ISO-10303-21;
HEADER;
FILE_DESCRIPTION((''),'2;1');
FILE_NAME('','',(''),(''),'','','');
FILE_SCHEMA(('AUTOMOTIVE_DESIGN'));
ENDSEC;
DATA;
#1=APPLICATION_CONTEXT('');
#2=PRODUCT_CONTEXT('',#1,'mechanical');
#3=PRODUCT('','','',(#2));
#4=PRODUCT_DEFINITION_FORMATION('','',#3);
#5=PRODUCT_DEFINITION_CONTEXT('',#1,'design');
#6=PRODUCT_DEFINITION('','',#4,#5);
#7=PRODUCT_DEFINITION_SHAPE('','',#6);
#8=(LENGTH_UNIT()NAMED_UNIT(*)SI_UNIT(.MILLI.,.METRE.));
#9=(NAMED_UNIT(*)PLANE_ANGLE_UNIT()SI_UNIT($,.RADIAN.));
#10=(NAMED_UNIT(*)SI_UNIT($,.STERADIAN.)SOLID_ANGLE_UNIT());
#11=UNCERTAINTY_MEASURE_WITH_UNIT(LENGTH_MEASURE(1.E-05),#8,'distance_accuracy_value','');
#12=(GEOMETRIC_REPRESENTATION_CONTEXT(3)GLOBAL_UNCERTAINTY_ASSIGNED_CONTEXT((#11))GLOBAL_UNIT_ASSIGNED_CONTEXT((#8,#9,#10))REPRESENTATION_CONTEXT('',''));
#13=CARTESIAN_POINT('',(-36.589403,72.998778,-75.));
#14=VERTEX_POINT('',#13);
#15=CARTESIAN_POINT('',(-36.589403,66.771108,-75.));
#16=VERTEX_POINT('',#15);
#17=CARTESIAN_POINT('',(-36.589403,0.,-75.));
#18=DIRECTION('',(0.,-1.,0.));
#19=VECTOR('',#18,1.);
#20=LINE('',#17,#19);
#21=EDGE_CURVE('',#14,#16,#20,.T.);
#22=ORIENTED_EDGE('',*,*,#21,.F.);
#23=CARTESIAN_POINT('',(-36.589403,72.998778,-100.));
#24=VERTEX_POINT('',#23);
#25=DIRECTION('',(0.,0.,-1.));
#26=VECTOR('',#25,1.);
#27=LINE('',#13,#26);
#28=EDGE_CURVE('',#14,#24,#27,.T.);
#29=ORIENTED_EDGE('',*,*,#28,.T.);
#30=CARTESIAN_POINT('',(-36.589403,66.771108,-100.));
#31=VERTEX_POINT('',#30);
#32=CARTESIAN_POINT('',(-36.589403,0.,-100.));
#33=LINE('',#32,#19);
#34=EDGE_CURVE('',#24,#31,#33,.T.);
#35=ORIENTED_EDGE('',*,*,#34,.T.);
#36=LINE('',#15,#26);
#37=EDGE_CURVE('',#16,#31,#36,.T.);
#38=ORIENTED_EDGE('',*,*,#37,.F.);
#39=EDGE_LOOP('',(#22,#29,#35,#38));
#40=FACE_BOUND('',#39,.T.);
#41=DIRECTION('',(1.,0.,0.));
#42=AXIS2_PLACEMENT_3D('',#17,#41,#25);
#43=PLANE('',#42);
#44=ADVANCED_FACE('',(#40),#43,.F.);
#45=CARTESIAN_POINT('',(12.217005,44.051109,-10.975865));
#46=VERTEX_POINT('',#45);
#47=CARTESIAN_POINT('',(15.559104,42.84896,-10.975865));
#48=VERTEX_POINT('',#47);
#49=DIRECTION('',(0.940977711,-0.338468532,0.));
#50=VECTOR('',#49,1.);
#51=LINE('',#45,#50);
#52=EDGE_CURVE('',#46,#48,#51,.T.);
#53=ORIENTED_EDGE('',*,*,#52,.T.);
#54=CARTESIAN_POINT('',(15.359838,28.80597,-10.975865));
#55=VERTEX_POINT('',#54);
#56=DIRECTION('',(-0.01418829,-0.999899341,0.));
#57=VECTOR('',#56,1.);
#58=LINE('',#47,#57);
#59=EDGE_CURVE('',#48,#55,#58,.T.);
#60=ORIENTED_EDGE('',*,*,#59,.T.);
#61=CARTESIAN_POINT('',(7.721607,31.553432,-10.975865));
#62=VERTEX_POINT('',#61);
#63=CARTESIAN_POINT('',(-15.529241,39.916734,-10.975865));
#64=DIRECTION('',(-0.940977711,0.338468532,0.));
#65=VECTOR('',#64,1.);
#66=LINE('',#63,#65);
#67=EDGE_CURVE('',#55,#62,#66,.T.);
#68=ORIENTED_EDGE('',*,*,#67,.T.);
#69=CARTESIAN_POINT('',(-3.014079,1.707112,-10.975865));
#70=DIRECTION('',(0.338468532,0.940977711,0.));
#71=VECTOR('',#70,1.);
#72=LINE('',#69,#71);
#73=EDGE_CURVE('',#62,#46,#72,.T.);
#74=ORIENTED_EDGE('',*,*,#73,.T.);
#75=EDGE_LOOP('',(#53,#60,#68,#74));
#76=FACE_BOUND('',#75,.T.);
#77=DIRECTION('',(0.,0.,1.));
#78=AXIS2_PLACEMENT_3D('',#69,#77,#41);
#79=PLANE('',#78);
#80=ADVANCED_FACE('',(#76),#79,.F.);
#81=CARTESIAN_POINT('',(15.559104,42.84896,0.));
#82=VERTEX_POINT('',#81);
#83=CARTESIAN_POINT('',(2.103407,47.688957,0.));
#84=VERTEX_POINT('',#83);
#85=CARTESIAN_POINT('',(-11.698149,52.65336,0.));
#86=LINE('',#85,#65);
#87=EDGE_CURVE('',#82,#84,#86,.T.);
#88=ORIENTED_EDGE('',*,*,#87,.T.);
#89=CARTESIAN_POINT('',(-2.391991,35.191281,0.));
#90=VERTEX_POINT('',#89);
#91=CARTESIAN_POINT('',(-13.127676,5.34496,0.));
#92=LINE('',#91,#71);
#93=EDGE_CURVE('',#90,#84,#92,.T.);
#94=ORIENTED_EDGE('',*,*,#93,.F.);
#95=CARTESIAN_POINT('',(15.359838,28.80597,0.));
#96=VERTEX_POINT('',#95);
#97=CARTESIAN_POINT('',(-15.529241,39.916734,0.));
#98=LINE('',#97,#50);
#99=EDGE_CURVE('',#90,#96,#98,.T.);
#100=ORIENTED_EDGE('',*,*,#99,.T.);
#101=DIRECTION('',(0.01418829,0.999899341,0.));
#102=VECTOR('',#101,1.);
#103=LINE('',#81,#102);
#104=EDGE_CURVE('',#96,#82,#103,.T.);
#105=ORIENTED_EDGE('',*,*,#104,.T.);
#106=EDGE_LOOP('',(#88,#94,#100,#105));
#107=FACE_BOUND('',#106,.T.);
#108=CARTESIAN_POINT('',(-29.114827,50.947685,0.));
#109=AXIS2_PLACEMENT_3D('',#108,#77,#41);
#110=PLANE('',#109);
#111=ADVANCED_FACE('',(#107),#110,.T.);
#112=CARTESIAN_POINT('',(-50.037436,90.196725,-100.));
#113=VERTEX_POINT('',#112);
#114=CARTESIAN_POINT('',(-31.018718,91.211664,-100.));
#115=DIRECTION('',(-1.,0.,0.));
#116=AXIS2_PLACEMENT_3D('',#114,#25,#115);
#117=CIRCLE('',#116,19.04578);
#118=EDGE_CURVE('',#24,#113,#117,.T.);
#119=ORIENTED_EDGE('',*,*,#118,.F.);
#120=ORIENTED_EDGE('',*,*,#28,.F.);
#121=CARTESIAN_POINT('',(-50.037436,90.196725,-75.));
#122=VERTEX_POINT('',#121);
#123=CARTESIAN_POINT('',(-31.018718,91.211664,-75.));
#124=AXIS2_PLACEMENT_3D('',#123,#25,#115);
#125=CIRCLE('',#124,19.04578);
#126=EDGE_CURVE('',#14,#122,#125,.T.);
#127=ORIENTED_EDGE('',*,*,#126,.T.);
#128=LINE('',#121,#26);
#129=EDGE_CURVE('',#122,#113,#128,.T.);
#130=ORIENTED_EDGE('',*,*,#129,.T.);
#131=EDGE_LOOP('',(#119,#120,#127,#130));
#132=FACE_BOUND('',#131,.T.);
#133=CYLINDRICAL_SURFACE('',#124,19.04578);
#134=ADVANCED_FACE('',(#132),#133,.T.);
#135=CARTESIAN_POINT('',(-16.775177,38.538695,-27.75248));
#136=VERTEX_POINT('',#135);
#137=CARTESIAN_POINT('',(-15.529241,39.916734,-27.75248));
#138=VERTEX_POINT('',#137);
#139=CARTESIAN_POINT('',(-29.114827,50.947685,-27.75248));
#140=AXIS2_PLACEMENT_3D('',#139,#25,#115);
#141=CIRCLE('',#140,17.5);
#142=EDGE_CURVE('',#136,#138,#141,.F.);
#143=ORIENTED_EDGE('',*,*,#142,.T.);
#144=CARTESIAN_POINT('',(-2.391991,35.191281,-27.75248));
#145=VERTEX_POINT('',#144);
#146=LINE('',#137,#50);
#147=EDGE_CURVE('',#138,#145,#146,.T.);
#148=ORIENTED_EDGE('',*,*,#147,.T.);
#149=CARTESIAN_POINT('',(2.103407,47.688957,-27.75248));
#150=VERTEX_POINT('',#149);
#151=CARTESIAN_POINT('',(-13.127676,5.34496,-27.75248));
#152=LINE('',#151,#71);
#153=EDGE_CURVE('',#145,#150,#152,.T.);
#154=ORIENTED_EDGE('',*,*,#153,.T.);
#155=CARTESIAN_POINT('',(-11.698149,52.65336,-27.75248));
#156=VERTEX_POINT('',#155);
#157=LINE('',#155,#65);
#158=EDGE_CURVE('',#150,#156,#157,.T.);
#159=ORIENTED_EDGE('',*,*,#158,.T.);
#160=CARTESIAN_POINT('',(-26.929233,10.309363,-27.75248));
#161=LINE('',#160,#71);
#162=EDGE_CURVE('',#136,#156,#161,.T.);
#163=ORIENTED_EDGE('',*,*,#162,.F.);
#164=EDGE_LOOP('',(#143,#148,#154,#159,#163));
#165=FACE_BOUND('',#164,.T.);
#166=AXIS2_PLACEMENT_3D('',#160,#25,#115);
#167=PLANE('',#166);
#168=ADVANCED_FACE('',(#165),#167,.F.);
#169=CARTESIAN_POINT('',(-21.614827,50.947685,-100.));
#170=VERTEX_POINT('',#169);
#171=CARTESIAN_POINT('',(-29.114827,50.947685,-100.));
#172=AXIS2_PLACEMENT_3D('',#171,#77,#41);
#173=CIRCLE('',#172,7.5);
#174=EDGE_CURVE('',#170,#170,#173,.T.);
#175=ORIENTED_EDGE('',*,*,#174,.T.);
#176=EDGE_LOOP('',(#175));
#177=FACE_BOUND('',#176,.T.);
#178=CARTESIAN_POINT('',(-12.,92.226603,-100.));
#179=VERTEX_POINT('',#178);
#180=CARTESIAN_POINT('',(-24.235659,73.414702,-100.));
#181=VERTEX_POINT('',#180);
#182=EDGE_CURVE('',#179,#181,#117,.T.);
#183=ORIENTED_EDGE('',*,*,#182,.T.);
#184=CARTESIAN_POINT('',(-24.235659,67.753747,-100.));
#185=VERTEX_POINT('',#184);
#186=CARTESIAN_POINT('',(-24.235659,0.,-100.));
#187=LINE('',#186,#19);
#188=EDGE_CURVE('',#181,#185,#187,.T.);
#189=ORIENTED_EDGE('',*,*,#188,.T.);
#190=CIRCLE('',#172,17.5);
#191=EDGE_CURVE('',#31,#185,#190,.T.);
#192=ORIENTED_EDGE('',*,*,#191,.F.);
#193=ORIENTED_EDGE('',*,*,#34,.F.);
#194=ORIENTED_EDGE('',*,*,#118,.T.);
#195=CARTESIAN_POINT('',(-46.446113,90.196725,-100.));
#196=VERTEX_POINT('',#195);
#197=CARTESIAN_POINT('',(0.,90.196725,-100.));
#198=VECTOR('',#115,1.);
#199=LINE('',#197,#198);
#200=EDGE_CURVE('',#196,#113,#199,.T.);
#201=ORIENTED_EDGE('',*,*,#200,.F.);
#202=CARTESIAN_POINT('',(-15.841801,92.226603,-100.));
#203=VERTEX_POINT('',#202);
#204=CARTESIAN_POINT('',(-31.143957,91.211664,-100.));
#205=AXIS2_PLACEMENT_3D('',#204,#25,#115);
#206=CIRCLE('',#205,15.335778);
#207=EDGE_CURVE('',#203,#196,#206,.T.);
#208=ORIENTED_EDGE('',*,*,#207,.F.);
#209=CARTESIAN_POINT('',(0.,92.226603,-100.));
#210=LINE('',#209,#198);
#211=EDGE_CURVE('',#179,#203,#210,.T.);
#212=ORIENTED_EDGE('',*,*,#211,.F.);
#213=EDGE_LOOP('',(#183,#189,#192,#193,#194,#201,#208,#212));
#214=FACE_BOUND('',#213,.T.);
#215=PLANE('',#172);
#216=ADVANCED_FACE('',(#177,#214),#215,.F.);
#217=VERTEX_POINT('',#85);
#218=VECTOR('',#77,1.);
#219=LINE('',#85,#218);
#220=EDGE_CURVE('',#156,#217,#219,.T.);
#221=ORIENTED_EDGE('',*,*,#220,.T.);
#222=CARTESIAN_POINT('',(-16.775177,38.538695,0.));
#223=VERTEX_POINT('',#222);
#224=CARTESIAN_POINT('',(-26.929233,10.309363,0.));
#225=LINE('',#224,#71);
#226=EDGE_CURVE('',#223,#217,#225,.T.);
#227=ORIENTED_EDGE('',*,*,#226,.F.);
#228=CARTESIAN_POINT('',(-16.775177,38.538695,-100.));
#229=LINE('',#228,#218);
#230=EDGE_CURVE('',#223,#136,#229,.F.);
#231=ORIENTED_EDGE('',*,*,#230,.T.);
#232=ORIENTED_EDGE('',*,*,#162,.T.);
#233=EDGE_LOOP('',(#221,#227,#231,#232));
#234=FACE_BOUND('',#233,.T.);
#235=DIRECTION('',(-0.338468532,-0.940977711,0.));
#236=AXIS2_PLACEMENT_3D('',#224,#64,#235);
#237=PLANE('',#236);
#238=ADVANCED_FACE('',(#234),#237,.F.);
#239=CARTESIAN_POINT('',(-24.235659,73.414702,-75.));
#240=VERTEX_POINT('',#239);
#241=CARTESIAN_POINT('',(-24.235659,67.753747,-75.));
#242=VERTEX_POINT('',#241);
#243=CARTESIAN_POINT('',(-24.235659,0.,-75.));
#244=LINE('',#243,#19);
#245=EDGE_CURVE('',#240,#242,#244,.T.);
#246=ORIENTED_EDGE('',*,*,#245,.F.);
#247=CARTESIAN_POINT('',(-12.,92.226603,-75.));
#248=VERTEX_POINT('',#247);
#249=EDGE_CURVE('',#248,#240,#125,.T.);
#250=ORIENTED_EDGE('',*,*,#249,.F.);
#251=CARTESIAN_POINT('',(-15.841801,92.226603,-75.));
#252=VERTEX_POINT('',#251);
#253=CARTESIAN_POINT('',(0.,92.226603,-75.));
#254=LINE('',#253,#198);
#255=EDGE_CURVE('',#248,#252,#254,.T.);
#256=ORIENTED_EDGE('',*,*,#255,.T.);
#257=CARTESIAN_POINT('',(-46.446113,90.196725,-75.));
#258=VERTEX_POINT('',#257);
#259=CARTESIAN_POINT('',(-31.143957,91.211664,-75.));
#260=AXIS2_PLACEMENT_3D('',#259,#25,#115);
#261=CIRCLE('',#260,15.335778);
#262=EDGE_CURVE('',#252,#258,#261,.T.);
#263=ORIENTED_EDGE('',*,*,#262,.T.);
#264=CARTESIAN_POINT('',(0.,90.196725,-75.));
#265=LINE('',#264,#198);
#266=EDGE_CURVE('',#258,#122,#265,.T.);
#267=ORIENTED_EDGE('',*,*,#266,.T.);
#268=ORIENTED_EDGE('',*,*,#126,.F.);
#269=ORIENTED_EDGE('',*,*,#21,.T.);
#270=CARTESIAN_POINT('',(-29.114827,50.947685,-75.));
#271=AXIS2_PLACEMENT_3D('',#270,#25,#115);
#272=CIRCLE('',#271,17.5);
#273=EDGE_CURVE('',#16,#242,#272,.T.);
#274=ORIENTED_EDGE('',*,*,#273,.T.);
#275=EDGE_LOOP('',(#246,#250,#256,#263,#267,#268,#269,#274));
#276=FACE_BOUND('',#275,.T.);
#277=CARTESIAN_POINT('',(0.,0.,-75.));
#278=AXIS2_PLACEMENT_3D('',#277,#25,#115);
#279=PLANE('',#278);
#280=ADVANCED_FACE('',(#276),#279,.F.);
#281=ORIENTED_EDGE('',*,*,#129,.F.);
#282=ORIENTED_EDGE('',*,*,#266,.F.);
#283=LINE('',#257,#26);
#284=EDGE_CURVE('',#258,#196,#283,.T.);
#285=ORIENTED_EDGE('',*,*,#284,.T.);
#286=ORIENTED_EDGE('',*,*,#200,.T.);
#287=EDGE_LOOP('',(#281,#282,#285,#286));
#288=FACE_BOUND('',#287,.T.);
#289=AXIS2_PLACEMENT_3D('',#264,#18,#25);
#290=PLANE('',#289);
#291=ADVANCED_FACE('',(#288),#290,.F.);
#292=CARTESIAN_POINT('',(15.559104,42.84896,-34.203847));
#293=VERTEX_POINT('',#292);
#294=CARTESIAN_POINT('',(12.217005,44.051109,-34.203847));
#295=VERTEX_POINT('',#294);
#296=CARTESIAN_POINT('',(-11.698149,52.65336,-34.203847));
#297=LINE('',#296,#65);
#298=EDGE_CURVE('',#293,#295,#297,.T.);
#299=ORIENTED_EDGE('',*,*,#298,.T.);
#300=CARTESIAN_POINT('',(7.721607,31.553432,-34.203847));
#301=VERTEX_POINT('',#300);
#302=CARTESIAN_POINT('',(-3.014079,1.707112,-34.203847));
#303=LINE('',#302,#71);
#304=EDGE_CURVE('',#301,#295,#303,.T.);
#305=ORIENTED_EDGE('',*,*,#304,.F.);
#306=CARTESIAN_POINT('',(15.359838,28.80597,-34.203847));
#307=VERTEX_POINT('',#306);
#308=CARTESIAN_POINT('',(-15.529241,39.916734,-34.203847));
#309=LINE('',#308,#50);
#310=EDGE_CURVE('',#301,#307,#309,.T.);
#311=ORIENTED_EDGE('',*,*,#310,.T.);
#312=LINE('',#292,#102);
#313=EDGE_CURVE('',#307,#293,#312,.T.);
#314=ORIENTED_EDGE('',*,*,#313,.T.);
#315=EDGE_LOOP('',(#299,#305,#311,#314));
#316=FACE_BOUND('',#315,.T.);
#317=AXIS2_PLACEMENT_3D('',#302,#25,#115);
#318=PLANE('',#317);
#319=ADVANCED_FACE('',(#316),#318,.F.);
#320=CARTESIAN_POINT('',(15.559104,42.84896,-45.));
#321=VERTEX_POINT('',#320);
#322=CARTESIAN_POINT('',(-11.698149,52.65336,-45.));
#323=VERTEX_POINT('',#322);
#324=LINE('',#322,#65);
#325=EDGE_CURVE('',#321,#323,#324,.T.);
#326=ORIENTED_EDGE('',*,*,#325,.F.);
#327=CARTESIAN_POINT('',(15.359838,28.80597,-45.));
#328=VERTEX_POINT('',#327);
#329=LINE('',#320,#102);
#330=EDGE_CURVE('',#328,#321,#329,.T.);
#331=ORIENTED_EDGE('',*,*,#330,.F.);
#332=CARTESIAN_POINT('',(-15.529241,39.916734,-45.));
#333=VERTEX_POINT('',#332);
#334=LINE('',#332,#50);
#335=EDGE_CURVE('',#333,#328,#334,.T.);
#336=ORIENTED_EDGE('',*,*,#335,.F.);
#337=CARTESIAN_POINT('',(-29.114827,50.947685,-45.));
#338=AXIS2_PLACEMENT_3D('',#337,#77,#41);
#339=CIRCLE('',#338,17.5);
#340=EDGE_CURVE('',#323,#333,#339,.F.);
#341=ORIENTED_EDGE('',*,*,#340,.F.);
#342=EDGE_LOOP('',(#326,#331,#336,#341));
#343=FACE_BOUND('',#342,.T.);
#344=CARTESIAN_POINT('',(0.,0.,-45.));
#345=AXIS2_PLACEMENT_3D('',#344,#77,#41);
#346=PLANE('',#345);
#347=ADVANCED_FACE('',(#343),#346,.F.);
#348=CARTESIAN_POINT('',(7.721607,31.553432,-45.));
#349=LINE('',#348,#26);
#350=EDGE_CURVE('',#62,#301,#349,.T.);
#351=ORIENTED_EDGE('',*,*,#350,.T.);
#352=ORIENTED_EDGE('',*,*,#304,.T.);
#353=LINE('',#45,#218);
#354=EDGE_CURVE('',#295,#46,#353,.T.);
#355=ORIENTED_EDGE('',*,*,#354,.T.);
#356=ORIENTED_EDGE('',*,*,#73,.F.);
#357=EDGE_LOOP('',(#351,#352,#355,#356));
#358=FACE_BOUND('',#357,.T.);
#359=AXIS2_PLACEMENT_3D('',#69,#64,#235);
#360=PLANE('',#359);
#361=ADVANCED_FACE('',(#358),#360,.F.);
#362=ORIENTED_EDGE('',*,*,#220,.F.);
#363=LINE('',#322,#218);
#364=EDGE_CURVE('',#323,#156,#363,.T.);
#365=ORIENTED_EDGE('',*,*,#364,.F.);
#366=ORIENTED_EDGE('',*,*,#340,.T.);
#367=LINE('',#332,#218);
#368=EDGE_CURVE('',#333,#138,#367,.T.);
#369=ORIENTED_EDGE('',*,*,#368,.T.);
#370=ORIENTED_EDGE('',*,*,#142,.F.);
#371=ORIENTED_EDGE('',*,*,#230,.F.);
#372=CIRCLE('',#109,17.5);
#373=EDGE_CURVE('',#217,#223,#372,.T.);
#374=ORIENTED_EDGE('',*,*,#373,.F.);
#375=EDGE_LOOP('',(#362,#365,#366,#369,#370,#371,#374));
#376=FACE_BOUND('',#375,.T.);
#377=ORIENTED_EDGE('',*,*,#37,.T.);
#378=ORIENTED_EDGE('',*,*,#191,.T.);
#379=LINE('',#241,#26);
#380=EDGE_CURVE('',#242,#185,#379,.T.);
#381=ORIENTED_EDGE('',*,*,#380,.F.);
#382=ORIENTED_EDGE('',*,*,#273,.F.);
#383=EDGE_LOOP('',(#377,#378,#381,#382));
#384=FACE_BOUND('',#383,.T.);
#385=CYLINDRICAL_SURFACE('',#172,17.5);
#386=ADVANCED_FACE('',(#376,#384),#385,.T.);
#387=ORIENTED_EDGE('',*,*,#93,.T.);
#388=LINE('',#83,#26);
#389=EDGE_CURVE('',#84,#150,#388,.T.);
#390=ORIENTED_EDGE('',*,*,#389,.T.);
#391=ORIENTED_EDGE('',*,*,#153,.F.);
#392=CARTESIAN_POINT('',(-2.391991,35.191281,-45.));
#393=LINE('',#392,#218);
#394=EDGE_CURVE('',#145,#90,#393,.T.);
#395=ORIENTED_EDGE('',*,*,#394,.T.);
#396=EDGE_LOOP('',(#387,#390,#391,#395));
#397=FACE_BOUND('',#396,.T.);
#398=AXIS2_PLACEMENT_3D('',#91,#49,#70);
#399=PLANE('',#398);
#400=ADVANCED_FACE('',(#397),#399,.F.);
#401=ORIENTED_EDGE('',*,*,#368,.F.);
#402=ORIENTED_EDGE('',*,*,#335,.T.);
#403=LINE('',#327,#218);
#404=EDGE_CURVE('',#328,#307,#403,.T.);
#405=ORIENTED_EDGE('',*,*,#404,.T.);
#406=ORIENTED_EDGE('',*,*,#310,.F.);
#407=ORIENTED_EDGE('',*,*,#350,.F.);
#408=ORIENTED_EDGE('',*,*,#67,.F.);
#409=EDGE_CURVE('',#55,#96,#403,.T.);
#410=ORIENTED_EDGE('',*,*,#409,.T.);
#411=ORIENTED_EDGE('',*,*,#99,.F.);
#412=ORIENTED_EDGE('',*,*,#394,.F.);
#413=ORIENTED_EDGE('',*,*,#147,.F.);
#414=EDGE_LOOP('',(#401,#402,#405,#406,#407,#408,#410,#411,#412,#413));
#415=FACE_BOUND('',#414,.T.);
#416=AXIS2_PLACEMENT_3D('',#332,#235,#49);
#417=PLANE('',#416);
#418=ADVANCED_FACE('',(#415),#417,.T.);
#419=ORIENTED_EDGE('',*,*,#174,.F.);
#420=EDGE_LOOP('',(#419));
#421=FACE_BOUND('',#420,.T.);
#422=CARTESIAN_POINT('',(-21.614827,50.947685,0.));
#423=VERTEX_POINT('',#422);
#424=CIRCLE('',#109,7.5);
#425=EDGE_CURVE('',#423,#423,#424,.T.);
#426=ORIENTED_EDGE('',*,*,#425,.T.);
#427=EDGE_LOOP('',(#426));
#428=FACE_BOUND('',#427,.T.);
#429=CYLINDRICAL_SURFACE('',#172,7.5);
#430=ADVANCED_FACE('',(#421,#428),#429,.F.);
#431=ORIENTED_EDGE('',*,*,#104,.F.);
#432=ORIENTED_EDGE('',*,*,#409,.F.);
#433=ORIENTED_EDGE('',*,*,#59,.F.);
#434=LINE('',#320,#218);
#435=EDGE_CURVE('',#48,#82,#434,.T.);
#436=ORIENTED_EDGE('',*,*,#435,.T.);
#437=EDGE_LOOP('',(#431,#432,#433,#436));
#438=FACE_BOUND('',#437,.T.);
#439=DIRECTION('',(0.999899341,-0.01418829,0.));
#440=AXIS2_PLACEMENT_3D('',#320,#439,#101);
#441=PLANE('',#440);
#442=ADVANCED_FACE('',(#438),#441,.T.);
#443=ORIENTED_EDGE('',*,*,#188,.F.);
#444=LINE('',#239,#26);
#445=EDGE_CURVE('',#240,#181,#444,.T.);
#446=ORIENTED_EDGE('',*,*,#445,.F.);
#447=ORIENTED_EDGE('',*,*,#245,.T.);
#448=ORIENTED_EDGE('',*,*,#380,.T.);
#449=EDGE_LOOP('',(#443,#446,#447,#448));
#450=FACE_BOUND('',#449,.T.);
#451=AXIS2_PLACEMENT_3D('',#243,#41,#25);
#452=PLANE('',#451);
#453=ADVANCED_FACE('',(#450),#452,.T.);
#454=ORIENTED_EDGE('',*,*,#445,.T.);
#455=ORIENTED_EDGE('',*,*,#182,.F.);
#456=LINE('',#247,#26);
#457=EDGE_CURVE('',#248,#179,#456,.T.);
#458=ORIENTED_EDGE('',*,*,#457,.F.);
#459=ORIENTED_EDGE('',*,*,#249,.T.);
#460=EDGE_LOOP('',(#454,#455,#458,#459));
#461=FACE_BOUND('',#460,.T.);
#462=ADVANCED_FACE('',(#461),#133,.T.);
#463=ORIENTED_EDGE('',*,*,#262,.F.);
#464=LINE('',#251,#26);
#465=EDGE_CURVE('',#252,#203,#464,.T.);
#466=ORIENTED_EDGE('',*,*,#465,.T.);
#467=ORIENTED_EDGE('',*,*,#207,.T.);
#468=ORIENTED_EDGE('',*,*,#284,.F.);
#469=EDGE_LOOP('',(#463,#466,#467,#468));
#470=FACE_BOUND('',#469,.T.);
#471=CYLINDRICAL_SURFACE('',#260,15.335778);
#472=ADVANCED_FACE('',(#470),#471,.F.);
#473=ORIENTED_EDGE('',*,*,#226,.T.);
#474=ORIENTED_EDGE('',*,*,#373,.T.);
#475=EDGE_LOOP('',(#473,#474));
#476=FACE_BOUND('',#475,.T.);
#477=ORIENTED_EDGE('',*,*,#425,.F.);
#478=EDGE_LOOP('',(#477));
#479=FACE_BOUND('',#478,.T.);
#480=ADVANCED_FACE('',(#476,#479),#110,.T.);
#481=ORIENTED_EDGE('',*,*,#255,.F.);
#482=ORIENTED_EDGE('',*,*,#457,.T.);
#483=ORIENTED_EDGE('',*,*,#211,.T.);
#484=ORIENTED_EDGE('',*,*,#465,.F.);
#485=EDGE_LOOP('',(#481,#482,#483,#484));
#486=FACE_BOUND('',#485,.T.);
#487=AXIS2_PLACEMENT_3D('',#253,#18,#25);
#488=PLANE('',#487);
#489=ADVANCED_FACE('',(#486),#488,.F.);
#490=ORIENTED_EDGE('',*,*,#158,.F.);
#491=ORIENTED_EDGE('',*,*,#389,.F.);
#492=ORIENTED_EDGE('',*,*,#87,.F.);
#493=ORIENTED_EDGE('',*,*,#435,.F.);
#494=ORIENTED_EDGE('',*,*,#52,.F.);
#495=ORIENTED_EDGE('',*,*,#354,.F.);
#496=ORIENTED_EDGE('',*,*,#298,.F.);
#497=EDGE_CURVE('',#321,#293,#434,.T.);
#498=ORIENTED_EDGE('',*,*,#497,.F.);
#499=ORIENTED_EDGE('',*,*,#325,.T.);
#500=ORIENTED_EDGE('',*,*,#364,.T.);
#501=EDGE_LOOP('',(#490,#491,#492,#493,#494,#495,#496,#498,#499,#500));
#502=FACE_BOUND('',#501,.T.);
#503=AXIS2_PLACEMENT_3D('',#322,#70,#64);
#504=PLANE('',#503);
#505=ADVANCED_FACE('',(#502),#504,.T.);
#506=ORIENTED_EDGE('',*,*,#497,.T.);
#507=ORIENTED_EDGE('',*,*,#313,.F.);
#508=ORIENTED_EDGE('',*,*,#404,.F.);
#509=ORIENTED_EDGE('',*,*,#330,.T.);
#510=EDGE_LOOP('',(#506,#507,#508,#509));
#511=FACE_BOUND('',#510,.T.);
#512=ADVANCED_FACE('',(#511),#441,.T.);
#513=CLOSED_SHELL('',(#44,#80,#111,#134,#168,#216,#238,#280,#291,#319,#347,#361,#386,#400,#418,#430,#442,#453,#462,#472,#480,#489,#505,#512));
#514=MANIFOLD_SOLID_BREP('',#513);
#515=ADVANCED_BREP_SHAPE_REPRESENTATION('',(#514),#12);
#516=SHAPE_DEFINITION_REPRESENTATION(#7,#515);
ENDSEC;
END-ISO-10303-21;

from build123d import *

# Parameters (mm, degrees)
SKETCH3_R           = 17.5
BOSS_EXTRUDE2_DEPTH = 100
SKETCH4_R           = 7.5
CUT_EXTRUDE2_DEPTH  = 100
BOSS_EXTRUDE6_DEPTH = 45
SKETCH18_W          = 14.667250813
SKETCH18_H          = 27.752479941
CUT_EXTRUDE6_DEPTH  = 45
SKETCH19_W          = 15.940771985
SKETCH19_H          = 23.227982035
CUT_EXTRUDE8_DEPTH  = 45
BOSS_EXTRUDE8_DEPTH = 25


with BuildPart() as part:
    # Sketch3 → Boss-Extrude2 (new body)
    with BuildSketch(Plane.XY):
        with Locations((-29.114826613, 50.947684889)):
            Circle(SKETCH3_R)
    extrude(amount=-BOSS_EXTRUDE2_DEPTH)

    # Sketch4 → Cut-Extrude2 (cut)
    with BuildSketch(Plane.XY):
        with Locations((-29.114826613, 50.947684889)):
            Circle(SKETCH4_R)
    extrude(amount=-CUT_EXTRUDE2_DEPTH, mode=Mode.SUBTRACT)

    # Sketch16 → Boss-Extrude6 (add)
    with BuildSketch(Plane.XY):
        Polygon((-11.698148649, 52.653360332), (15.559104196, 42.84895981), (15.359838121, 28.805969908), (-15.52924146, 39.916734066), align=None)
    extrude(amount=-BOSS_EXTRUDE6_DEPTH)

    # Sketch18 → Cut-Extrude6 (cut)
    with BuildSketch(Plane(origin=(15.429488543, 42.895582402, 0), x_dir=(0.940977711, -0.338468532, 0), z_dir=(0.338468532, 0.940977711, 0))):
        with Locations((-21.495577319, 13.876239971)):
            Rectangle(SKETCH18_W, SKETCH18_H)
    extrude(amount=-CUT_EXTRUDE6_DEPTH, mode=Mode.SUBTRACT)

    # Sketch19 → Cut-Extrude8 (cut)
    with BuildSketch(Plane(origin=(15.429488543, 42.895582402, 0), x_dir=(0.940977711, -0.338468532, 0), z_dir=(0.338468532, 0.940977711, 0))):
        with Locations((4.556401634, 22.58985628)):
            Rectangle(SKETCH19_W, SKETCH19_H)
    extrude(amount=-CUT_EXTRUDE8_DEPTH, mode=Mode.SUBTRACT)

    # Sketch20 → Boss-Extrude8 (add)
    with BuildSketch(Plane(origin=(0, 0, -100), x_dir=(-1, 0, 0), z_dir=(0, 0, -1))):
        with BuildLine():
            ThreePointArc((15.84180119, 92.226602563), (30.129018278, 75.909507637), (46.446113204, 90.196724725))
            Line((46.446113204, 90.196724725), (50.037435532, 90.196724725))
            ThreePointArc((50.037435532, 90.196724725), (30.003778847, 72.192945878), (12, 92.226602563))
            Line((12, 92.226602563), (15.84180119, 92.226602563))
        make_face()
        with BuildLine():
            ThreePointArc((36.589403128, 72.998778341), (30.377850806, 72.176669134), (24.235659001, 73.414702098))
            Line((24.235659001, 73.414702098), (24.235659001, 67.753746992))
            ThreePointArc((24.235659001, 67.753746992), (30.50242594, 68.392585809), (36.589403128, 66.771107588))
            Line((36.589403128, 66.771107588), (36.589403128, 72.998778341))
        make_face()
    extrude(amount=-BOSS_EXTRUDE8_DEPTH)


solid = part.part
